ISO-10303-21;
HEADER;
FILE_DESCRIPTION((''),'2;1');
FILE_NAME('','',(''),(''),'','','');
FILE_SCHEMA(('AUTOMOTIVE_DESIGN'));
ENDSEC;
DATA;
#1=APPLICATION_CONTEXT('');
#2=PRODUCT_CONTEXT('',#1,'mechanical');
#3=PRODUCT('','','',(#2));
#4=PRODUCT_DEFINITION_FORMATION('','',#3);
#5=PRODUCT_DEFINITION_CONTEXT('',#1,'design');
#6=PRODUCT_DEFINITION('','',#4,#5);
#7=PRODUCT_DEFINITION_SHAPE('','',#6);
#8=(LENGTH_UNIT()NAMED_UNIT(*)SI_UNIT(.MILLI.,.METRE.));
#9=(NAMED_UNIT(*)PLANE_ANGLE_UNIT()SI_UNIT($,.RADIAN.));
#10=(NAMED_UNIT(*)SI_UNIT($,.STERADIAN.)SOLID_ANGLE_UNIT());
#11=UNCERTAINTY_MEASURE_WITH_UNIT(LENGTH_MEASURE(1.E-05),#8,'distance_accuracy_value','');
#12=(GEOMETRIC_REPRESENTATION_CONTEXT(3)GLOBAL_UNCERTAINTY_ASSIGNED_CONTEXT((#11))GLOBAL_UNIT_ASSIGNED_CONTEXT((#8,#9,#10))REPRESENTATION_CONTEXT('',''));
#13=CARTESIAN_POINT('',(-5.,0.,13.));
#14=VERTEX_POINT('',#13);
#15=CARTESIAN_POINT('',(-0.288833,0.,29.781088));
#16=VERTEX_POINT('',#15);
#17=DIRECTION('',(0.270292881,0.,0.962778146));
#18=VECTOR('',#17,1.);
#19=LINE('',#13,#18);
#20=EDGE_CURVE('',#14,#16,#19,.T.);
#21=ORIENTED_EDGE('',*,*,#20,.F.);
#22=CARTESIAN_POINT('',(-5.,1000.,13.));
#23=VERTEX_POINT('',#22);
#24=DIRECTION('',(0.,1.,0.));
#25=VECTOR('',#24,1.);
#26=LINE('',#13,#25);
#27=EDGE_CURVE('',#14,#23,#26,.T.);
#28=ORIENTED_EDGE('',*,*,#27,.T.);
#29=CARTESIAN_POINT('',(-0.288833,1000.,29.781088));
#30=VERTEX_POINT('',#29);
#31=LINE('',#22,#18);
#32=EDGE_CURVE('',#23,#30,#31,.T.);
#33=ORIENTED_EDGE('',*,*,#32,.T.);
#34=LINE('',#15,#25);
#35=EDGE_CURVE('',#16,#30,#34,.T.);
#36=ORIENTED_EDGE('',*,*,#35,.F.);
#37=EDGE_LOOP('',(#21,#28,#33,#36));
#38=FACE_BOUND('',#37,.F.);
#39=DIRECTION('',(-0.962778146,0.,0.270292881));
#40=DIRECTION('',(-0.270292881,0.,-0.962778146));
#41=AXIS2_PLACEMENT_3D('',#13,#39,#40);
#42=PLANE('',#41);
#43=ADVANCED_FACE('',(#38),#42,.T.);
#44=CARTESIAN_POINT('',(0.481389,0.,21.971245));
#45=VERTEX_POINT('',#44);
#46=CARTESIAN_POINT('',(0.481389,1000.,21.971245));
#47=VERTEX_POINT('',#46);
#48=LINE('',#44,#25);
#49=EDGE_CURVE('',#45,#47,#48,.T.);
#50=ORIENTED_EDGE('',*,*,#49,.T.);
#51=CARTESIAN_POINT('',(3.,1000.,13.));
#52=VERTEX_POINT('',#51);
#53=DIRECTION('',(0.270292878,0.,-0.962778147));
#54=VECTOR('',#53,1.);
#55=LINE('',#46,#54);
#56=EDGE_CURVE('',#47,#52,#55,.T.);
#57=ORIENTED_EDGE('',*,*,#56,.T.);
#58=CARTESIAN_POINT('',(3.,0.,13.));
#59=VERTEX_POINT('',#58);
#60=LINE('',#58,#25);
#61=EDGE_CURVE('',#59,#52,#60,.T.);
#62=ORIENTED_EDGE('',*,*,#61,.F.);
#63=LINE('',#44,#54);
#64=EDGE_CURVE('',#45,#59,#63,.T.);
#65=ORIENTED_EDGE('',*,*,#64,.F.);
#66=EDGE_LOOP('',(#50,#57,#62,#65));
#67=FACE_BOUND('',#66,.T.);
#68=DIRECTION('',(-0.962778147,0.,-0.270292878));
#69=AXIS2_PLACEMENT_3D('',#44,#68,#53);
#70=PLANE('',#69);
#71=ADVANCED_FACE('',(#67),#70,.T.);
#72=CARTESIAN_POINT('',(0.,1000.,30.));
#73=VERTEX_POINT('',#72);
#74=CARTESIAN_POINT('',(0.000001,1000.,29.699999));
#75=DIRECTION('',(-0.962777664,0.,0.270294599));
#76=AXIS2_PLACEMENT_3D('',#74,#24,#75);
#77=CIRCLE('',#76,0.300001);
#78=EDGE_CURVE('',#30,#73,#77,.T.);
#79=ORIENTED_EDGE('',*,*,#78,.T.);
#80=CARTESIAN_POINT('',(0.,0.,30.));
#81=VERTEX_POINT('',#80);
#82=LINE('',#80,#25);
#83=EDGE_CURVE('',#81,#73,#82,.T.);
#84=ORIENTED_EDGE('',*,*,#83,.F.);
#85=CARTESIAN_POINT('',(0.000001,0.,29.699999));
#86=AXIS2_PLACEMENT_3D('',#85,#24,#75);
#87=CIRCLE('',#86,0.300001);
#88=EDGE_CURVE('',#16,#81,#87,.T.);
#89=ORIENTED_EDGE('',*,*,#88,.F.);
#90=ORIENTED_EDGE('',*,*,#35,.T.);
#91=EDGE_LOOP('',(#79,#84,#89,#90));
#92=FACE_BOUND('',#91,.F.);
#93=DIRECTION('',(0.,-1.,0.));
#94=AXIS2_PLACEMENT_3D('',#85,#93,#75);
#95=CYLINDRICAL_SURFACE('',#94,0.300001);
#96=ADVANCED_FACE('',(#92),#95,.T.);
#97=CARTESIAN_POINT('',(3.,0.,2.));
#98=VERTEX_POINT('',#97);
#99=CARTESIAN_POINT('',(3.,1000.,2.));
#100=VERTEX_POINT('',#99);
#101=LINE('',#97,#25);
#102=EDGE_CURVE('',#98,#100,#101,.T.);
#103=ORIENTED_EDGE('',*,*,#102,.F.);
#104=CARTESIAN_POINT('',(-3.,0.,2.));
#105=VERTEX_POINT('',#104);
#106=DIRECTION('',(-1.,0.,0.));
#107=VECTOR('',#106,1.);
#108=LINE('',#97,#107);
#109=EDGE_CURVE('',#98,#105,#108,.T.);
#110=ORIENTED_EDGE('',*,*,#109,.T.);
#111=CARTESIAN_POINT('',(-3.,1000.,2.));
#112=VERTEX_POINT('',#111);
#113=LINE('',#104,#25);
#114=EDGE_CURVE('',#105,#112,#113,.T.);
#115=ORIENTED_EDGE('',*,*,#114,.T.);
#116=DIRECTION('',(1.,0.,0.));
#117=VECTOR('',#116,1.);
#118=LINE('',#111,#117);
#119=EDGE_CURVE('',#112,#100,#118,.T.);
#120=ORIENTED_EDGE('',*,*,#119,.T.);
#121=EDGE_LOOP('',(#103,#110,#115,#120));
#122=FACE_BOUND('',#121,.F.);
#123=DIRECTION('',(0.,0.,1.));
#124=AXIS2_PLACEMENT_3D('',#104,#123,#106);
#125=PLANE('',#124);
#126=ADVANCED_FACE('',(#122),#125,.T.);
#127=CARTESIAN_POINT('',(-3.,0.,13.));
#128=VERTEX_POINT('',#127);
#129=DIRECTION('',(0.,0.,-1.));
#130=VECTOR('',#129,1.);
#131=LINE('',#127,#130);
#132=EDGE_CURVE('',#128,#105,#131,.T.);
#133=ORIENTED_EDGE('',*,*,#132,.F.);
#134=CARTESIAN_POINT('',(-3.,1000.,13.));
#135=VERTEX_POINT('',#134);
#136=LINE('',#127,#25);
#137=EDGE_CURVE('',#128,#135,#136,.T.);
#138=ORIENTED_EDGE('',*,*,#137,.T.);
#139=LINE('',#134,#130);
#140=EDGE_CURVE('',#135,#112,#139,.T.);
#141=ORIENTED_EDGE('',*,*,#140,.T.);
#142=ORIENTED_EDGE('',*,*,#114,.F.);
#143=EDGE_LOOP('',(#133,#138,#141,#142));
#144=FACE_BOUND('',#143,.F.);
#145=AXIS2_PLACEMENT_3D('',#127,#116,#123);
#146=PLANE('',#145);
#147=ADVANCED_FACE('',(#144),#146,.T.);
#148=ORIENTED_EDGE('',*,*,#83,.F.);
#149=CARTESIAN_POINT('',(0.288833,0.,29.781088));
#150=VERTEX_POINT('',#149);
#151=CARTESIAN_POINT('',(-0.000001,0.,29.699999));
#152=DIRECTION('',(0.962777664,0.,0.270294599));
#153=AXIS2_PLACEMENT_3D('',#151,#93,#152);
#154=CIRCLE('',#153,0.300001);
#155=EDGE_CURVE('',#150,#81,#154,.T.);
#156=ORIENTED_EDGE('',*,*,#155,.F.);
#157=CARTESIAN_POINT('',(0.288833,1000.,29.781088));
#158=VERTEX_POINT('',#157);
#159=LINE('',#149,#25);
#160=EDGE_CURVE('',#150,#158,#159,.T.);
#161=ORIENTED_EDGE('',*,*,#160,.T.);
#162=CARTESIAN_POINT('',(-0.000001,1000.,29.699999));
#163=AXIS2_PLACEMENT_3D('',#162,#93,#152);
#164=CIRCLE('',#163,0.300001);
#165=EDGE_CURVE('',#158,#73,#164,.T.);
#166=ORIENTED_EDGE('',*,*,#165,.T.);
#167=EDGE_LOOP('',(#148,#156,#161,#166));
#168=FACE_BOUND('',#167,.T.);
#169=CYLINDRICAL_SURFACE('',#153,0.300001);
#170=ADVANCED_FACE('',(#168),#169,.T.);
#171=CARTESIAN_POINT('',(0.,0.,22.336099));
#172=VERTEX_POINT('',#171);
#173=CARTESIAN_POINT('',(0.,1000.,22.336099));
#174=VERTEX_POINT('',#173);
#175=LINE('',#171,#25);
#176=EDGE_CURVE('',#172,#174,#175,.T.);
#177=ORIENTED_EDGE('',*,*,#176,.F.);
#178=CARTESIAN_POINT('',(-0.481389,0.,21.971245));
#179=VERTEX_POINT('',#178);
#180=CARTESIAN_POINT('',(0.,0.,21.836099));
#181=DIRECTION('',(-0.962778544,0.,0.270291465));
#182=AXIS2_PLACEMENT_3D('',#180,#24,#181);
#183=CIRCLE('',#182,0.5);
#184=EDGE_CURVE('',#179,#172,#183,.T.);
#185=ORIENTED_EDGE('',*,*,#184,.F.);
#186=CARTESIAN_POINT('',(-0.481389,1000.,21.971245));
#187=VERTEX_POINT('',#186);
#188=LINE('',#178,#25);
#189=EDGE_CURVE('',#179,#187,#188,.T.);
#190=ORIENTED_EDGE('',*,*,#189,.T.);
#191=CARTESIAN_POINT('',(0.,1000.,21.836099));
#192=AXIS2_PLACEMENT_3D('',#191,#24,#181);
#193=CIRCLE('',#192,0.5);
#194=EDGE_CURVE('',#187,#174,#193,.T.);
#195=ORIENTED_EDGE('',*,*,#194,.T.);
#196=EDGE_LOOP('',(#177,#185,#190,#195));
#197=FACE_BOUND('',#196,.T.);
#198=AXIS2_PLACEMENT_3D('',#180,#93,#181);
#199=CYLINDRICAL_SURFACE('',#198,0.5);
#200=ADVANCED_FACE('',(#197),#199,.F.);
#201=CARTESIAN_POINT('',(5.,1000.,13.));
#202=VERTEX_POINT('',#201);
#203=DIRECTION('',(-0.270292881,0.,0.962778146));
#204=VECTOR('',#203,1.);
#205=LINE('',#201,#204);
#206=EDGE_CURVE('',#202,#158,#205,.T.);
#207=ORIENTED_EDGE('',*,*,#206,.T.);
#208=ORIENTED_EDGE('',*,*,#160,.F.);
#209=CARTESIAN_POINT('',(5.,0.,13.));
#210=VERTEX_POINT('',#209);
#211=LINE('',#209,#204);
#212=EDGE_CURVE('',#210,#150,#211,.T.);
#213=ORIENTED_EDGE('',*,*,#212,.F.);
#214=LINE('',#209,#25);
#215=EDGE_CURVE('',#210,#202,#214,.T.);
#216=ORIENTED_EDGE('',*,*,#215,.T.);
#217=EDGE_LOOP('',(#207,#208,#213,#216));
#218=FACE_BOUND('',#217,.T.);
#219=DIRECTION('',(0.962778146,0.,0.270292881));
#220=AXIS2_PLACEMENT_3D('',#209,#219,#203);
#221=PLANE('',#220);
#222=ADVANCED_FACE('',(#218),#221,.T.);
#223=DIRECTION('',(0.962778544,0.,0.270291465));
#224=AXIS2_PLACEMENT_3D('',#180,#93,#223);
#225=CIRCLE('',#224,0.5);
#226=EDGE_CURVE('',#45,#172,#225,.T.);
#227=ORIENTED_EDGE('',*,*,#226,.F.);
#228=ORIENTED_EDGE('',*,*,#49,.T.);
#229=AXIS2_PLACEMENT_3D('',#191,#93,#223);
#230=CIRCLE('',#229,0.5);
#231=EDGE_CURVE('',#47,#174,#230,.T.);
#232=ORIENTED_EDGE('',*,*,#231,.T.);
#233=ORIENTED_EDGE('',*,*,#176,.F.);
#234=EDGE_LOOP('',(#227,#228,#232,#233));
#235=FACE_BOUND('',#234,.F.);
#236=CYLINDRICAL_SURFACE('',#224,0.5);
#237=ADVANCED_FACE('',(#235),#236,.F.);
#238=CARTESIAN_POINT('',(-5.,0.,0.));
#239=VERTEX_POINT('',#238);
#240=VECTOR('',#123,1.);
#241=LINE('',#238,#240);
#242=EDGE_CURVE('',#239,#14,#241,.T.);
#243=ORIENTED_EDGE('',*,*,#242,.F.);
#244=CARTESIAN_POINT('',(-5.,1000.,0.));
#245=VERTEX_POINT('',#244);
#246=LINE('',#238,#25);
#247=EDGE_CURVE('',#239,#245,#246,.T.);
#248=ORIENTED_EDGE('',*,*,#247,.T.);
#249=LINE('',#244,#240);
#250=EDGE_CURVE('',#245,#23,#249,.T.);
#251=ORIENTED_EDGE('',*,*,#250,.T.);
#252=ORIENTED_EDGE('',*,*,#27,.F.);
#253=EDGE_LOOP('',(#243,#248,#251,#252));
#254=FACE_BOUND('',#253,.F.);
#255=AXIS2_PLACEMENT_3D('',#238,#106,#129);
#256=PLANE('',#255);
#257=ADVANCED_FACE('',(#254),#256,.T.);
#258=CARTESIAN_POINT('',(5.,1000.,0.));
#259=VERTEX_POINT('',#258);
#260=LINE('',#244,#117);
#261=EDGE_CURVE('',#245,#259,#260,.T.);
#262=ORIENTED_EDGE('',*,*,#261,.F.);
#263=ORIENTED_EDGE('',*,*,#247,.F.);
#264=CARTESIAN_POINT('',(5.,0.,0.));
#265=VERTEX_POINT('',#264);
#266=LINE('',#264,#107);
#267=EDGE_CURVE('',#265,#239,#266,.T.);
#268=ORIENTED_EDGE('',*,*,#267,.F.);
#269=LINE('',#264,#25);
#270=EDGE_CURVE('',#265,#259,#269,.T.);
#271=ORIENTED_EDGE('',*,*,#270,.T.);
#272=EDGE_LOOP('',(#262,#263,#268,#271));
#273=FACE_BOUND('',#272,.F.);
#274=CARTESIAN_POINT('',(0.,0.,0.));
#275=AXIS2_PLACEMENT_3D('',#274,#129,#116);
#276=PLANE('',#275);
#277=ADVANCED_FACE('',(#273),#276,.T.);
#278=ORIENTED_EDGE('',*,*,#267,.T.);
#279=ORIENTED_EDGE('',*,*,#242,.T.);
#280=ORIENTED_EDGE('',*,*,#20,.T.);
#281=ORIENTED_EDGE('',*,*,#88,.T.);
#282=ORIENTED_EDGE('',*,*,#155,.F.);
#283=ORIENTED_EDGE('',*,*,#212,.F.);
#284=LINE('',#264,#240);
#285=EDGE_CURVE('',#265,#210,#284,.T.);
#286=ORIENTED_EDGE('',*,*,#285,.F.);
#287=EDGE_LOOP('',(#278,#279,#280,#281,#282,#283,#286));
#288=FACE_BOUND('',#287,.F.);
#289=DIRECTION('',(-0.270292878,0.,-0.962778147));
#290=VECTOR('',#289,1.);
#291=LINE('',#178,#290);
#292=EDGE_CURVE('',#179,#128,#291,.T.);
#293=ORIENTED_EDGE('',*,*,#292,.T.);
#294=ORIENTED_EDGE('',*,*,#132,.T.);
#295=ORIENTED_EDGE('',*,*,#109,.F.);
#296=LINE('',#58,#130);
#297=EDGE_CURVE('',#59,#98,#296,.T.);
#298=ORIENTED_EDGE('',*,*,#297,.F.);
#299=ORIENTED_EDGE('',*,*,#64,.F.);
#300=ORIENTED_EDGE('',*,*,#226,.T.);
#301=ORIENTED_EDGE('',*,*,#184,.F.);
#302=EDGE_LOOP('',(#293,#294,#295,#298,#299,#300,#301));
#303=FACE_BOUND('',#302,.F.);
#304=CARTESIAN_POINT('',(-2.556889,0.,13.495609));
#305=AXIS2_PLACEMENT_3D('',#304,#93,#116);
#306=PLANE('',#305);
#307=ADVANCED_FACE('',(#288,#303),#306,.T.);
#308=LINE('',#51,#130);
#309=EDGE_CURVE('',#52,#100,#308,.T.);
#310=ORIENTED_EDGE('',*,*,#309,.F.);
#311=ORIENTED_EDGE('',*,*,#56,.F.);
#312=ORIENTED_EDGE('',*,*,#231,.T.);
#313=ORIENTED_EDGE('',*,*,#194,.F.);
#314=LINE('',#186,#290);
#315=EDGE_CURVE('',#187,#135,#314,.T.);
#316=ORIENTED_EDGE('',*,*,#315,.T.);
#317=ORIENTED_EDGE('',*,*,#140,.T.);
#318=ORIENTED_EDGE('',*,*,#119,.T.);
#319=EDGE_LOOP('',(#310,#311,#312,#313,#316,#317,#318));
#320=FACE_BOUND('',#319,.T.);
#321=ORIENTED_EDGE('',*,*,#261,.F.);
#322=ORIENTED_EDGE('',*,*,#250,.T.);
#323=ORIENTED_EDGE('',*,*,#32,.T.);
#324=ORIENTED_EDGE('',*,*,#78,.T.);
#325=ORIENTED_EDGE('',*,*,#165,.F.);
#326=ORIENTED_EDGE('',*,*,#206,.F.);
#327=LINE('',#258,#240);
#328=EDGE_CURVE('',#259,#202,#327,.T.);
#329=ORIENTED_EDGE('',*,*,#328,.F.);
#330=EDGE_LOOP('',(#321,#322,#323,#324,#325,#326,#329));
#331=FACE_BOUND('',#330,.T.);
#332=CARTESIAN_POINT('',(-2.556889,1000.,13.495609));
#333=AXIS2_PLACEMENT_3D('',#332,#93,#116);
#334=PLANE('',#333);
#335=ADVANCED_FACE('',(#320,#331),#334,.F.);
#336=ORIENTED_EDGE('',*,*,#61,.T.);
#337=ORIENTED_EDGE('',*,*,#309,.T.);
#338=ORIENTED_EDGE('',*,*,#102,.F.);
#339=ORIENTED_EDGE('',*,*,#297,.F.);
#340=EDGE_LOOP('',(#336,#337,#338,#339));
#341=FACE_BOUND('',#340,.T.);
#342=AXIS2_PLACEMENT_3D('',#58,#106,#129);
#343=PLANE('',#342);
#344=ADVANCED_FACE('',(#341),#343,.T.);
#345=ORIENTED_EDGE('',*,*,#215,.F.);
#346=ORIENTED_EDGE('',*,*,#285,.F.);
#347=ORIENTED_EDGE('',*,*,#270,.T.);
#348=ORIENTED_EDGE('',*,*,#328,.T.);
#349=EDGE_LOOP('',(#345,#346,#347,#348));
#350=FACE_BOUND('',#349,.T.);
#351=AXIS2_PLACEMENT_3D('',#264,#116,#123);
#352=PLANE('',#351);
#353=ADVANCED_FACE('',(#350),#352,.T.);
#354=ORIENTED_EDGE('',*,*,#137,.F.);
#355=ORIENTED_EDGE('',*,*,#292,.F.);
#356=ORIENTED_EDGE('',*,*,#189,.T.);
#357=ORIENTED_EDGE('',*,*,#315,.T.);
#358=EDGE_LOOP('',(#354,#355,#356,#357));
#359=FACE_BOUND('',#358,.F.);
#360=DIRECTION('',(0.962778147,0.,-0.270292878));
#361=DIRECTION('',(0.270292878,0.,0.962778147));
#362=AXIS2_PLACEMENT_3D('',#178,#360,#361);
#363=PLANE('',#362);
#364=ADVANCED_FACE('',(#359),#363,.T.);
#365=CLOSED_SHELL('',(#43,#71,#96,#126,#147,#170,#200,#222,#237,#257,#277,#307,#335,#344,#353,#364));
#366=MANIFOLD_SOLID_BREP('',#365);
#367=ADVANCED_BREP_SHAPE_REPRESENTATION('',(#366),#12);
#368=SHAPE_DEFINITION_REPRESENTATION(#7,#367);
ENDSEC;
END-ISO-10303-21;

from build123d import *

# Parameters (mm, degrees)
PAD_DEPTH = 1000


with BuildPart() as part:
    # Sketch → Pad (new body)
    with BuildSketch(Plane.XZ):
        with BuildLine():
            Line((0, 0), (5, 0))
            Line((5, 0), (5, 13))
            Line((5, 13), (0.288833, 29.781088))
            ThreePointArc((0.288833, 29.781088), (0.181209, 29.939088), (0, 30))
            Line((0, 22.336099), (0, 30))
            ThreePointArc((0.481389, 21.971245), (0.302016, 22.234579), (0, 22.336099))
            Line((0.481389, 21.971245), (3, 13))
            Line((3, 13), (3, 2))
            Line((3, 2), (0, 2))
            Line((0, 2), (0, 0))
        make_face()
    pad = extrude(amount=-PAD_DEPTH)

    # Mirrored: Pad across Sketch V_Axis
    add(pad.mirror(Plane(origin=(0, 0, 0), x_dir=(0, -1, 0), z_dir=(1, 0, 0))))


solid = part.part
